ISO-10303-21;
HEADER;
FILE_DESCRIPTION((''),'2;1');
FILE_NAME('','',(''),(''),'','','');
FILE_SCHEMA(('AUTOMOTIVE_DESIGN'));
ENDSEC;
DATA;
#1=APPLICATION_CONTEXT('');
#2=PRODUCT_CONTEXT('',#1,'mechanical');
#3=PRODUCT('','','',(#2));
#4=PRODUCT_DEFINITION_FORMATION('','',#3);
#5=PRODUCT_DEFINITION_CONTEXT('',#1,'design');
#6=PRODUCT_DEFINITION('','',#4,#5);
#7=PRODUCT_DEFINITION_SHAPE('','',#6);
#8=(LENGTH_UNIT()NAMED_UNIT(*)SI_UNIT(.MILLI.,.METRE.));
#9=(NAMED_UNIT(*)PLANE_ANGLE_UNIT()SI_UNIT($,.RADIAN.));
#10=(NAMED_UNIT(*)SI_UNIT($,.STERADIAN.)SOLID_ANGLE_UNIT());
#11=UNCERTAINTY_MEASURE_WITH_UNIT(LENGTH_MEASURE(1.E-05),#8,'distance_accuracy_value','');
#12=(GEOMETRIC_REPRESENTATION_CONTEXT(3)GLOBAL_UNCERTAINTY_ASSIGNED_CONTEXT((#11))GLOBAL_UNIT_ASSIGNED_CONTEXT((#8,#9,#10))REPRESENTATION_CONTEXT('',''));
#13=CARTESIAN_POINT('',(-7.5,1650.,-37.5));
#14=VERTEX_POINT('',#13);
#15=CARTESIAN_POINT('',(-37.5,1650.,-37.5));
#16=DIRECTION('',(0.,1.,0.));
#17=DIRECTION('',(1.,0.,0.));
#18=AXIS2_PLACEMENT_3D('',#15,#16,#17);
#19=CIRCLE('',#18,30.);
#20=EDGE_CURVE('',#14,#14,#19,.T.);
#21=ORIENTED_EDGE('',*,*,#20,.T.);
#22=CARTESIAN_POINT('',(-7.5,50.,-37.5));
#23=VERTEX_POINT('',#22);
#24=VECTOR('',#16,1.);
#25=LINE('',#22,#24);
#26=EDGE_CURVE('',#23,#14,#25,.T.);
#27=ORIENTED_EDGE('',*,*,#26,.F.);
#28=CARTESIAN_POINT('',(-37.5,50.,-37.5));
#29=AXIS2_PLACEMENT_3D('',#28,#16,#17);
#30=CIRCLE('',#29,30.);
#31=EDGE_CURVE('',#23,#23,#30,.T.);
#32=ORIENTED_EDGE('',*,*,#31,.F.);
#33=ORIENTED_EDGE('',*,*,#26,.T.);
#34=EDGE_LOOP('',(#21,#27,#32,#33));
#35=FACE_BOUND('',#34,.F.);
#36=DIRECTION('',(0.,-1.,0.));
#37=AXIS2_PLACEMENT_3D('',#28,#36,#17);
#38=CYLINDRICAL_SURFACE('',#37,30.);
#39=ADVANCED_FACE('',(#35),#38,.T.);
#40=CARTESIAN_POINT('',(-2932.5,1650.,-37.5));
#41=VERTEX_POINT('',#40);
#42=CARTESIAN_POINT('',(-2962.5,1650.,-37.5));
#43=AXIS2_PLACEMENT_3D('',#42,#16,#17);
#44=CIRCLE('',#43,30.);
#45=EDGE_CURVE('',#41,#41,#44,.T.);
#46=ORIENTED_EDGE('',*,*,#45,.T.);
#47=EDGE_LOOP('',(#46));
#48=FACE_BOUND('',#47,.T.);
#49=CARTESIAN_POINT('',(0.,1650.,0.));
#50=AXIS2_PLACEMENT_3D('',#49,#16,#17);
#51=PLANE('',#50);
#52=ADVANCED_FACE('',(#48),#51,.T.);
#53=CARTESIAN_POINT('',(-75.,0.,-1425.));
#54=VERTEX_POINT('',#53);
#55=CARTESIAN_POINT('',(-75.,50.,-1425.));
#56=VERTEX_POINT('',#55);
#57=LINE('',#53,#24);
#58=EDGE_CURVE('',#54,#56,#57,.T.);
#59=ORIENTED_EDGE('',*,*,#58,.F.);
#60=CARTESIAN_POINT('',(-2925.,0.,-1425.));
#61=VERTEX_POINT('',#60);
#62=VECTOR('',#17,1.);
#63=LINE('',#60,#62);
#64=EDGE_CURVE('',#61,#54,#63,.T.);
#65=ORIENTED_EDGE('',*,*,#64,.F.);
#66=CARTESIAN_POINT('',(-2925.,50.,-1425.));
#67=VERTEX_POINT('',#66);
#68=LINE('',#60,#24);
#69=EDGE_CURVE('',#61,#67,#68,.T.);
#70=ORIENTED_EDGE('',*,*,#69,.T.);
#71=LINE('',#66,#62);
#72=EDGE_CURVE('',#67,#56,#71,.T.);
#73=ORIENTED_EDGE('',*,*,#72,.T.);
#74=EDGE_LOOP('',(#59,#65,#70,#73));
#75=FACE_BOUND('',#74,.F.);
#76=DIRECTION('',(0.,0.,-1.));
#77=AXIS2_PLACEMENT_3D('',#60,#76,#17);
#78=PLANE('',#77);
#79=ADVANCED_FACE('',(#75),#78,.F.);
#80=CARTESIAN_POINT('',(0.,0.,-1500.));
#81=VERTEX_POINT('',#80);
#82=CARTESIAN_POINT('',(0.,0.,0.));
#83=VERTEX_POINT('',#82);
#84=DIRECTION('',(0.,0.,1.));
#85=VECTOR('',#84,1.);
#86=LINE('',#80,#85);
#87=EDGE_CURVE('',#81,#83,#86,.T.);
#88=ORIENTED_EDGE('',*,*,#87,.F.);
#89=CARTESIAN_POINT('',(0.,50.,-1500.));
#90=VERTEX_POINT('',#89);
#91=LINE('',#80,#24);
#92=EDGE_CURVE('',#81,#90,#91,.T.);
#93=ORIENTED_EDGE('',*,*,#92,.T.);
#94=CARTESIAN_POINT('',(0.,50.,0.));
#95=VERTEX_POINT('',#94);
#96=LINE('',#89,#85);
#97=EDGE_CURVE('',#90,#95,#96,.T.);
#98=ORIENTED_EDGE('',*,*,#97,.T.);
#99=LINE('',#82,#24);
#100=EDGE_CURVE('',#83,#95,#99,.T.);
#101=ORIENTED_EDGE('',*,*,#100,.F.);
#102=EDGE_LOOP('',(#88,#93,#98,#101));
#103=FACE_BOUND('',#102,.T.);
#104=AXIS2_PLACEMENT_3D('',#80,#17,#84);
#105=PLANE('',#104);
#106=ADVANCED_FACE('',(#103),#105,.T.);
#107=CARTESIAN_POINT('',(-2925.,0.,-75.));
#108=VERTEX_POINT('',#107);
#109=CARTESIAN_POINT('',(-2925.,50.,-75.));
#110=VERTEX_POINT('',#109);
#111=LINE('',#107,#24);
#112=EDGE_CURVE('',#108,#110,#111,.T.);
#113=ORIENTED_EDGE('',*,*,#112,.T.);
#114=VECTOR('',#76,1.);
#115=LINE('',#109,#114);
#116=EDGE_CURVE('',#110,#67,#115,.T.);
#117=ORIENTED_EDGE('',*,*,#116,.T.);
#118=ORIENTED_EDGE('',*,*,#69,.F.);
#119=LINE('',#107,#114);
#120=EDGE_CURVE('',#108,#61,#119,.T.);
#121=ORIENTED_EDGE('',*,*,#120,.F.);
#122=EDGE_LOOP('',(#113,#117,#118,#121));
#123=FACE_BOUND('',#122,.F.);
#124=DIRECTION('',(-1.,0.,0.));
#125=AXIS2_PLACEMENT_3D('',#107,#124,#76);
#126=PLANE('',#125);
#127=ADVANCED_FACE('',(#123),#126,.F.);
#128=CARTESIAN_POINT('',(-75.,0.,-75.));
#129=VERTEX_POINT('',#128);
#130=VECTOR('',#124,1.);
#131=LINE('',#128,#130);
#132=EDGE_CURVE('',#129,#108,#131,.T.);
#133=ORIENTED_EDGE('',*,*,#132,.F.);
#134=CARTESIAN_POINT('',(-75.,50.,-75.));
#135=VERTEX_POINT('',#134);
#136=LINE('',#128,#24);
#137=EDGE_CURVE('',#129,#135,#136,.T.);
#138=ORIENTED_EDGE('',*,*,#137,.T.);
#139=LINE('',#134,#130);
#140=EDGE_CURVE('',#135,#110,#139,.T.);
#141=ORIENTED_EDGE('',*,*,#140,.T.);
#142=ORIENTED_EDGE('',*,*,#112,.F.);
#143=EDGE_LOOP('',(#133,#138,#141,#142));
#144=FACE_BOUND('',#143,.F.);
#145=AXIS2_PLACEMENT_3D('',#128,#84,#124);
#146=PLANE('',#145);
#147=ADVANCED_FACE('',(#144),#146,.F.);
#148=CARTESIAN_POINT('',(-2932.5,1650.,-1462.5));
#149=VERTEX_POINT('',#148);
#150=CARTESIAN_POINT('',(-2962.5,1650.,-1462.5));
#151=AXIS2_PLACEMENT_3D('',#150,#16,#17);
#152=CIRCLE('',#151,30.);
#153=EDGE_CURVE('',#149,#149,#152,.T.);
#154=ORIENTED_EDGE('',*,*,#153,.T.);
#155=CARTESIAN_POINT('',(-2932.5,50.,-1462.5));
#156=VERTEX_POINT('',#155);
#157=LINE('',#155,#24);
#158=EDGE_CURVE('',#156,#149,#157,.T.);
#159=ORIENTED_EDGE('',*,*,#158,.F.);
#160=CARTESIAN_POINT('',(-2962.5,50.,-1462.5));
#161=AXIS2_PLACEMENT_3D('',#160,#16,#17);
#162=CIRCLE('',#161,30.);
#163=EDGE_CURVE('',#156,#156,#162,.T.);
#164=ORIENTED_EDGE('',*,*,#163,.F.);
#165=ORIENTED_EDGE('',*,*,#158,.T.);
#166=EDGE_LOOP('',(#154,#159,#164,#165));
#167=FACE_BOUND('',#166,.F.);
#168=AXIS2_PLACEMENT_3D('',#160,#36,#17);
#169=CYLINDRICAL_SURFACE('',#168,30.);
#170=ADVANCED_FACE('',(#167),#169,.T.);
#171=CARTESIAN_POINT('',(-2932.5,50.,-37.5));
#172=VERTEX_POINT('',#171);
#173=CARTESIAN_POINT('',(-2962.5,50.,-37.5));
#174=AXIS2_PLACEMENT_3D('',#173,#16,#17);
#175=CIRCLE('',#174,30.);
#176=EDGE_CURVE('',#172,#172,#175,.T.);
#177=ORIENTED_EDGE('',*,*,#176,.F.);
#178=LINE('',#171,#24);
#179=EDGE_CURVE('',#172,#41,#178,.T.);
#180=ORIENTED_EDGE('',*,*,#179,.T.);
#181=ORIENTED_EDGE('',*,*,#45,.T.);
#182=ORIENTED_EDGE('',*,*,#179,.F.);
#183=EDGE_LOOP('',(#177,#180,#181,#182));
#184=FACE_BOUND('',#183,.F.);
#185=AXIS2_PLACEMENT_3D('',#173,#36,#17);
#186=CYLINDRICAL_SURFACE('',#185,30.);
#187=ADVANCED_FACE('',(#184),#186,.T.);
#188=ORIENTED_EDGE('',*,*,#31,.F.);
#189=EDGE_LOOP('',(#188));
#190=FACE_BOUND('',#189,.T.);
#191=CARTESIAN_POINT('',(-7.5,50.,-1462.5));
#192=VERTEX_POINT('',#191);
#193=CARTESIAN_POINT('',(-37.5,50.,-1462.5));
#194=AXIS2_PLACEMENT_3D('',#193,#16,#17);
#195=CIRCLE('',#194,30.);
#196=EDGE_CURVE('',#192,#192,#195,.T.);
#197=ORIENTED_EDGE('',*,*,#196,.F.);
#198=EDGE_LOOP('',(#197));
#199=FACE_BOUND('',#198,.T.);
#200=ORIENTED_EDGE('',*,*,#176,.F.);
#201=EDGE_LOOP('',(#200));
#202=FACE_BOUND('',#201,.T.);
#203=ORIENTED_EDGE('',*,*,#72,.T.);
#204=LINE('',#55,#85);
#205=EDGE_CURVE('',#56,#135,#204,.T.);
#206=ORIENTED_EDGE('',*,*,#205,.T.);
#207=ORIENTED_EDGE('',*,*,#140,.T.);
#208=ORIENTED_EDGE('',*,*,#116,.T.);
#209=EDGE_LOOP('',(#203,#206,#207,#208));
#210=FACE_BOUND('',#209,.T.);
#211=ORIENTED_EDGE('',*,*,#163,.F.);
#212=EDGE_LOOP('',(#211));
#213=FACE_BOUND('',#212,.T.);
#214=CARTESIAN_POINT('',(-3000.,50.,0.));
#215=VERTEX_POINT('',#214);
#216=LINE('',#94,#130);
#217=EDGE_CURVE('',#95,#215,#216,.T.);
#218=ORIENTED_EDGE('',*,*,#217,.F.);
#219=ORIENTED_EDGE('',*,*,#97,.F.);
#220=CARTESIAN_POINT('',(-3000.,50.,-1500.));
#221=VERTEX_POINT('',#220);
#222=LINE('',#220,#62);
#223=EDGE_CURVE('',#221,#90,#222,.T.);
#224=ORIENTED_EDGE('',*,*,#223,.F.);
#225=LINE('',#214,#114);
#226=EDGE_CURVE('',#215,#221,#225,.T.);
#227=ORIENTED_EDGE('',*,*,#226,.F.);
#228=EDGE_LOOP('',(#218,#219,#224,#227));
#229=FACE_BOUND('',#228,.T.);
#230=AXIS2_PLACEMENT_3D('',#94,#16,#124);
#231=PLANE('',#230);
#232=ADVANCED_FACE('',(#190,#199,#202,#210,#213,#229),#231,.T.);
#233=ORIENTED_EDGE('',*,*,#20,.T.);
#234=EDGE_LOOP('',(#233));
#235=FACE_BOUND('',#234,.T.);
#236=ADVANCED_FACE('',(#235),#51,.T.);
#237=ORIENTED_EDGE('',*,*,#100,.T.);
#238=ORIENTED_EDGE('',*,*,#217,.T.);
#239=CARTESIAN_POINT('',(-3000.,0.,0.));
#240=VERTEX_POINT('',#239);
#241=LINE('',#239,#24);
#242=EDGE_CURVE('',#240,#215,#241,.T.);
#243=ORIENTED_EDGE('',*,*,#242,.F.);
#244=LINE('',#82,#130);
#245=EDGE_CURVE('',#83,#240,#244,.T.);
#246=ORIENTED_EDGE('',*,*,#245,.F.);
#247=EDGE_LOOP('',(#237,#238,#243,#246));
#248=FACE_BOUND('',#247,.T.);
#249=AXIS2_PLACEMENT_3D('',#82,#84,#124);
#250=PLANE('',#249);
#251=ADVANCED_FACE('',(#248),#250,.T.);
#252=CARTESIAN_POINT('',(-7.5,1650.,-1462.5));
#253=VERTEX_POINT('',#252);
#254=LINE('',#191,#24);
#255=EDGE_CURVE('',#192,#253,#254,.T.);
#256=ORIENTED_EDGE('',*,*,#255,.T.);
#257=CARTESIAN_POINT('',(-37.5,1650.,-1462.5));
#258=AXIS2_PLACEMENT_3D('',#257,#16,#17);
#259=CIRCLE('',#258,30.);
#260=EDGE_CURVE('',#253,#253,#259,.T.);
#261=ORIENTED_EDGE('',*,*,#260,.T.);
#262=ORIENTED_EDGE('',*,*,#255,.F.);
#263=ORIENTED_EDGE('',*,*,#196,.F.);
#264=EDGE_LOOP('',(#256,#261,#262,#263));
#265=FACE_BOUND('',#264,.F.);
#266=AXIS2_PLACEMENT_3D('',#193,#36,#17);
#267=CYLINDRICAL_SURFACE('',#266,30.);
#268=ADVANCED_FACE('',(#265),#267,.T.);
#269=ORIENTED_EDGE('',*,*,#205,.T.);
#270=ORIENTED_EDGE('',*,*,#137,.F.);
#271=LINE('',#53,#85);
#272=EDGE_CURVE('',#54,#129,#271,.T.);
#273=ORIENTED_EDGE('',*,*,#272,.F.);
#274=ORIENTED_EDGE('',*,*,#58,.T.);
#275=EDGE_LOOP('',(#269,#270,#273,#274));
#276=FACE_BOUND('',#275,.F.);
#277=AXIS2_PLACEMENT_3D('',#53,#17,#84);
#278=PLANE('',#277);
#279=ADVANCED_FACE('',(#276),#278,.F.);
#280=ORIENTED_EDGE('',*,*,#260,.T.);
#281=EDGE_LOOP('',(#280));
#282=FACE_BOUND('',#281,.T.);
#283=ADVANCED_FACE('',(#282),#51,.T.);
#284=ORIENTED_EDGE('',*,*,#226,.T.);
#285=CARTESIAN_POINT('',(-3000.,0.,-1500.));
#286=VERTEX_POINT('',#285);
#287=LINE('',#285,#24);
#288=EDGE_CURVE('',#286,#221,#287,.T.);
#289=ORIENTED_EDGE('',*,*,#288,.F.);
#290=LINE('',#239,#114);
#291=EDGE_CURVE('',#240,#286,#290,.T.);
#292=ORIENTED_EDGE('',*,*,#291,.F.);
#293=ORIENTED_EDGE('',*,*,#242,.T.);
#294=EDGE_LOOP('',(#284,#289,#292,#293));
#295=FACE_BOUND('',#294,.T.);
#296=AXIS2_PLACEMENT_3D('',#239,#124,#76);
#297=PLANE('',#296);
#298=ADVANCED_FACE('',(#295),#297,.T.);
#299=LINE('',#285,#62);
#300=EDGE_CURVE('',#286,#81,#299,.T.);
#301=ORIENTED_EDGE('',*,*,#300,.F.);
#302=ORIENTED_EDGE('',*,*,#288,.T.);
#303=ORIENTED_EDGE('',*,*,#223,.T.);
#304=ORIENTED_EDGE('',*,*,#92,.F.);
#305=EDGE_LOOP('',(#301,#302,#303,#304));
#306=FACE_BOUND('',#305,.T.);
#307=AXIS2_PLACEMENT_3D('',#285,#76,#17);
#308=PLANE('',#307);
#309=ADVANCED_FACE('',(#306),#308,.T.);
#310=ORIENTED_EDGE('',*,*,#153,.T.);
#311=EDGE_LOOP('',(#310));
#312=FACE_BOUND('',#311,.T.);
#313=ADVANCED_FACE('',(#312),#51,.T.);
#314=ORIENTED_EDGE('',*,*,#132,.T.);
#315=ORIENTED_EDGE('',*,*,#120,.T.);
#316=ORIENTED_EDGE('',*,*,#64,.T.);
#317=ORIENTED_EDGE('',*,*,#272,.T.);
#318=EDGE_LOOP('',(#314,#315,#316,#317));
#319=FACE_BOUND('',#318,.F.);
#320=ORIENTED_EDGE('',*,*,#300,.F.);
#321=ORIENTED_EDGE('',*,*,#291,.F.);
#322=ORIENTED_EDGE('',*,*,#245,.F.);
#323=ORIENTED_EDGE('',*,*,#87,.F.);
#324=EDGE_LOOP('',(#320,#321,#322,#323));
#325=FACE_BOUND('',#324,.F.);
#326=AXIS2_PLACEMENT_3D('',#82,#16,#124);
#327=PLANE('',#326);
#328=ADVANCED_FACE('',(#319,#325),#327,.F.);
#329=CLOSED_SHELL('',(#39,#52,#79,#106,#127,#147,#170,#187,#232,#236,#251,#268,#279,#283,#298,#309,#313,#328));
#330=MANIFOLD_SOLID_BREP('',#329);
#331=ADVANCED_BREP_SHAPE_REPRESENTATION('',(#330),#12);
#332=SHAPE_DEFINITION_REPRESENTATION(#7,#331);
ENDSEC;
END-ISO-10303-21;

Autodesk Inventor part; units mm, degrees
ref_plane "YZ Plane" through (0, 0, 0) normal (1, 0, 0) x (0, 1, 0)
ref_plane "XZ Plane" through (0, 0, 0) normal (0, 1, 0) x (-1, 0, 0)
ref_plane "XY Plane" through (0, 0, 0) normal (0, 0, 1) x (1, 0, 0)
sketch "Sketch1" plane through (0, 0, 0) normal (0, 1, 0) x (-1, 0, 0)
  line L0 (0, 0) -> (3000, 0)
  line L1 (3000, 0) -> (3000, -1500)
  line L2 (3000, -1500) -> (0, -1500)
  line L3 (0, -1500) -> (0, 0)
  line L4 (75, -75) -> (2925, -75)
  line L5 (2925, -75) -> (2925, -1425)
  line L6 (2925, -1425) -> (75, -1425)
  line L7 (75, -1425) -> (75, -75)
  dimension "d0" = 3000
  dimension "d1" = 1500
  dimension "d2" = 75
  dimension "d3" = 1350
  dimension "d4" = 75
  dimension "d5" = 2850
extrude "Extrusion1" add sketch "Sketch1" along normal blind 50
sketch "Sketch2" plane through (0, 50, 0) normal (0, 1, 0) x (1, 0, 0)
  circle A0 centre (-2962.5, 37.5) radius 30
  line L0 (-3000, 0) -> (0, 0) projected
  line L1 (-75, 75) -> (-2925, 75) projected
  line L2 (-3000, 1500) -> (-3000, 0) projected
  line L3 (-2925, 75) -> (-2925, 1425) projected
  line L4 (-1500, 750) -> (-3750.0767, 750)
  line L5 (-1500, 750) -> (-1500, 2776.2383)
  circle A1 centre (-2962.5, 1462.5) radius 30
  circle A2 centre (-37.5, 37.5) radius 30
  circle A3 centre (-37.5, 1462.5) radius 30
  dimension "d8" = 75
  dimension "d9" = 60
  dimension "d10" = 37.5
  dimension "d11" = 75
  dimension "d12" = 37.5
extrude "Extrusion2" add sketch "Sketch2" along normal blind 1600
equation "\"d2\" = 0.05 * d1"
equation "\"d3\" = d1 - 2 * d2"
equation "\"d4\" = 0.025 * d0"
equation "\"d5\" = d0 - 2 * d4"
equation "\"d9\" = 0.8 * d8"
equation "\"d10\" = 0.5 * d8 + 0 * d9"
equation "\"d12\" = 0.5 * d11 + 0 * d9"
properties part number "LedSystem"
